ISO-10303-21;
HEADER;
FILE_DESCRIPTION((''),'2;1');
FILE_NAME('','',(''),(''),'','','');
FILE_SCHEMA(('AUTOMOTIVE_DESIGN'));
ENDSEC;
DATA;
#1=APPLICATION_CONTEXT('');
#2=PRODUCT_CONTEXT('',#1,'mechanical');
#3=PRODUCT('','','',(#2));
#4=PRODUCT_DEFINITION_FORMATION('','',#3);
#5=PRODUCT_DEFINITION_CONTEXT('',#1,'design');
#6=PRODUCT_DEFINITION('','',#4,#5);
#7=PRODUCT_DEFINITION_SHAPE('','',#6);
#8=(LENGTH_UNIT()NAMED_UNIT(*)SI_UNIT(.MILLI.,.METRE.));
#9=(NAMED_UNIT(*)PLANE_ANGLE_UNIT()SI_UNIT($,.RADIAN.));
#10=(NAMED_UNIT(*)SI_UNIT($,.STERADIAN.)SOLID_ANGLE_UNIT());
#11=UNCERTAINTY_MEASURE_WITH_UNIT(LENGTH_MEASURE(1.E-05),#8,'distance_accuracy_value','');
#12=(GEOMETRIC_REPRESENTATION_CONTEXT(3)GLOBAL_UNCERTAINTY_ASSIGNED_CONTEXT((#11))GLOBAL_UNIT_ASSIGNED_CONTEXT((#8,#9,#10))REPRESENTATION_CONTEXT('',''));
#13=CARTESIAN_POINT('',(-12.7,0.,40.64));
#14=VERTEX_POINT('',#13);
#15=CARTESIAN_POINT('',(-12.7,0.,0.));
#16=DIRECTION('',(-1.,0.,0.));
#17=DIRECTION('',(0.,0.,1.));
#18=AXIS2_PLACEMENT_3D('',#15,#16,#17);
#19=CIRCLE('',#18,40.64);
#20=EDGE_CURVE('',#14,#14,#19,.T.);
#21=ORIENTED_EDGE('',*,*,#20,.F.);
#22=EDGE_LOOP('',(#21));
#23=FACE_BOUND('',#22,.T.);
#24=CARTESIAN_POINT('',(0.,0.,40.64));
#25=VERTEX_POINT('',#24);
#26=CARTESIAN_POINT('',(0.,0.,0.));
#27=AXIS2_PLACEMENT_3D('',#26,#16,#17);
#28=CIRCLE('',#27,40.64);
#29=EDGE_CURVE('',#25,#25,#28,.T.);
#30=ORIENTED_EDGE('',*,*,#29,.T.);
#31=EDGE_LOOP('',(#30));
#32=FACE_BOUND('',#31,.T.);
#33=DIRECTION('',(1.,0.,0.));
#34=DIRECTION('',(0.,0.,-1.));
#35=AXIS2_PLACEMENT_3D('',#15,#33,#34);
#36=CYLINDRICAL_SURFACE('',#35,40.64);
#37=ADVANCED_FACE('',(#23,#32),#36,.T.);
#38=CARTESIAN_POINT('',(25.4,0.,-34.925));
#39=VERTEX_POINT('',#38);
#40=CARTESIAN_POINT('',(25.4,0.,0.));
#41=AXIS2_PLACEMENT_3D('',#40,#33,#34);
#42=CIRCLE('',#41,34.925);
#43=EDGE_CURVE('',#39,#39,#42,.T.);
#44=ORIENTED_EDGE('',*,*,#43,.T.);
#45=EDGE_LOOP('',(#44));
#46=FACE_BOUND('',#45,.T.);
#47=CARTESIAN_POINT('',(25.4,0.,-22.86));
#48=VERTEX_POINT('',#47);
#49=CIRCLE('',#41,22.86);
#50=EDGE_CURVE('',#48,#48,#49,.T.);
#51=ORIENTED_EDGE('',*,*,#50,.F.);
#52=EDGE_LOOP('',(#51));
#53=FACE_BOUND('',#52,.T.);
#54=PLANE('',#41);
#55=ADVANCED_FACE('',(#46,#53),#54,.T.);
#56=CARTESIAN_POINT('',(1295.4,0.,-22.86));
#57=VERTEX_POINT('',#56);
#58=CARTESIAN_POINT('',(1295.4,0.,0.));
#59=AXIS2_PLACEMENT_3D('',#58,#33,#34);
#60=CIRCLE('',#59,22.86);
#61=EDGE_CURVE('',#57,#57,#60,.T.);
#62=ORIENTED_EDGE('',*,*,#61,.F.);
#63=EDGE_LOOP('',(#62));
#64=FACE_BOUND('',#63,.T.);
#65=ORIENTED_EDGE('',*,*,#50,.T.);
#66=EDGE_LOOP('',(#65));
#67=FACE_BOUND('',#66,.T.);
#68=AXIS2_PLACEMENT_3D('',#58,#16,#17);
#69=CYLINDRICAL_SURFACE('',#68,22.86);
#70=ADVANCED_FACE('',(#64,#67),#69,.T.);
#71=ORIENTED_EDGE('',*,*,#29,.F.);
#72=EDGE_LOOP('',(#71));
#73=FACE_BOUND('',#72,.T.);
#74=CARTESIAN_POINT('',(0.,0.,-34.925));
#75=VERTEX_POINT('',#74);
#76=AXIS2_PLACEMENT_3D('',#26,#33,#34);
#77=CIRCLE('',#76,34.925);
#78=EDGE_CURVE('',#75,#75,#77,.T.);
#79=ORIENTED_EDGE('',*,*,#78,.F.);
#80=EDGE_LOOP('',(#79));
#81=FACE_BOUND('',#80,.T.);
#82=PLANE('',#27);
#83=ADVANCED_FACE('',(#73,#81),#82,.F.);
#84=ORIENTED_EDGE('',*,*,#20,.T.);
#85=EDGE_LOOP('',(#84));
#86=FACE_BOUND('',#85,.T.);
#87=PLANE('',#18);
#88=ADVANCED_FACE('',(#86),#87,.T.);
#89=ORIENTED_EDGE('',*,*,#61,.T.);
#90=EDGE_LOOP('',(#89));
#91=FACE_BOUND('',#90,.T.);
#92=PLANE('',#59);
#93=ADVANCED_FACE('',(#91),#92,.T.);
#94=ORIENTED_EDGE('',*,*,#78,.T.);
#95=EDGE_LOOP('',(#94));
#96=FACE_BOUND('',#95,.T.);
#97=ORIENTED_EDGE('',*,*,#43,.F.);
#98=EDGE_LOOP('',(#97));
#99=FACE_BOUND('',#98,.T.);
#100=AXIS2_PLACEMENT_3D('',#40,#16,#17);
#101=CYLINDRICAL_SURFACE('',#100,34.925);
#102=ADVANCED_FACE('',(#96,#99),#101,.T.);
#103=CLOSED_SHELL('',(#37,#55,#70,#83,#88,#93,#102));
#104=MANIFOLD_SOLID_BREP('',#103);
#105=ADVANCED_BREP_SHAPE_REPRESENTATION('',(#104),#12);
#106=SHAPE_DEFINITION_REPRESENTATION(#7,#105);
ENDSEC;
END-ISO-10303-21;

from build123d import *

# Parameters (mm, degrees)
SKETCH1_R           = 34.925
BOSS_EXTRUDE1_DEPTH = 25.4
SKETCH2_R           = 22.86
BOSS_EXTRUDE2_DEPTH = 1270
SKETCH3_R           = 40.64
BOSS_EXTRUDE3_DEPTH = 12.7


with BuildPart() as part:
    # Sketch1 → Boss-Extrude1 (new body)
    with BuildSketch(Plane(origin=(0, 0, 0), x_dir=(0, 0, -1), z_dir=(1, 0, 0))):
        Circle(SKETCH1_R)
    extrude(amount=BOSS_EXTRUDE1_DEPTH)

    # Sketch2 → Boss-Extrude2 (add)
    with BuildSketch(Plane(origin=(25.4, 0, 0), x_dir=(0, 0, -1), z_dir=(1, 0, 0))):
        Circle(SKETCH2_R)
    extrude(amount=BOSS_EXTRUDE2_DEPTH)

    # Sketch3 → Boss-Extrude3 (add)
    with BuildSketch(Plane.ZY):
        Circle(SKETCH3_R)
    extrude(amount=BOSS_EXTRUDE3_DEPTH)


solid = part.part
